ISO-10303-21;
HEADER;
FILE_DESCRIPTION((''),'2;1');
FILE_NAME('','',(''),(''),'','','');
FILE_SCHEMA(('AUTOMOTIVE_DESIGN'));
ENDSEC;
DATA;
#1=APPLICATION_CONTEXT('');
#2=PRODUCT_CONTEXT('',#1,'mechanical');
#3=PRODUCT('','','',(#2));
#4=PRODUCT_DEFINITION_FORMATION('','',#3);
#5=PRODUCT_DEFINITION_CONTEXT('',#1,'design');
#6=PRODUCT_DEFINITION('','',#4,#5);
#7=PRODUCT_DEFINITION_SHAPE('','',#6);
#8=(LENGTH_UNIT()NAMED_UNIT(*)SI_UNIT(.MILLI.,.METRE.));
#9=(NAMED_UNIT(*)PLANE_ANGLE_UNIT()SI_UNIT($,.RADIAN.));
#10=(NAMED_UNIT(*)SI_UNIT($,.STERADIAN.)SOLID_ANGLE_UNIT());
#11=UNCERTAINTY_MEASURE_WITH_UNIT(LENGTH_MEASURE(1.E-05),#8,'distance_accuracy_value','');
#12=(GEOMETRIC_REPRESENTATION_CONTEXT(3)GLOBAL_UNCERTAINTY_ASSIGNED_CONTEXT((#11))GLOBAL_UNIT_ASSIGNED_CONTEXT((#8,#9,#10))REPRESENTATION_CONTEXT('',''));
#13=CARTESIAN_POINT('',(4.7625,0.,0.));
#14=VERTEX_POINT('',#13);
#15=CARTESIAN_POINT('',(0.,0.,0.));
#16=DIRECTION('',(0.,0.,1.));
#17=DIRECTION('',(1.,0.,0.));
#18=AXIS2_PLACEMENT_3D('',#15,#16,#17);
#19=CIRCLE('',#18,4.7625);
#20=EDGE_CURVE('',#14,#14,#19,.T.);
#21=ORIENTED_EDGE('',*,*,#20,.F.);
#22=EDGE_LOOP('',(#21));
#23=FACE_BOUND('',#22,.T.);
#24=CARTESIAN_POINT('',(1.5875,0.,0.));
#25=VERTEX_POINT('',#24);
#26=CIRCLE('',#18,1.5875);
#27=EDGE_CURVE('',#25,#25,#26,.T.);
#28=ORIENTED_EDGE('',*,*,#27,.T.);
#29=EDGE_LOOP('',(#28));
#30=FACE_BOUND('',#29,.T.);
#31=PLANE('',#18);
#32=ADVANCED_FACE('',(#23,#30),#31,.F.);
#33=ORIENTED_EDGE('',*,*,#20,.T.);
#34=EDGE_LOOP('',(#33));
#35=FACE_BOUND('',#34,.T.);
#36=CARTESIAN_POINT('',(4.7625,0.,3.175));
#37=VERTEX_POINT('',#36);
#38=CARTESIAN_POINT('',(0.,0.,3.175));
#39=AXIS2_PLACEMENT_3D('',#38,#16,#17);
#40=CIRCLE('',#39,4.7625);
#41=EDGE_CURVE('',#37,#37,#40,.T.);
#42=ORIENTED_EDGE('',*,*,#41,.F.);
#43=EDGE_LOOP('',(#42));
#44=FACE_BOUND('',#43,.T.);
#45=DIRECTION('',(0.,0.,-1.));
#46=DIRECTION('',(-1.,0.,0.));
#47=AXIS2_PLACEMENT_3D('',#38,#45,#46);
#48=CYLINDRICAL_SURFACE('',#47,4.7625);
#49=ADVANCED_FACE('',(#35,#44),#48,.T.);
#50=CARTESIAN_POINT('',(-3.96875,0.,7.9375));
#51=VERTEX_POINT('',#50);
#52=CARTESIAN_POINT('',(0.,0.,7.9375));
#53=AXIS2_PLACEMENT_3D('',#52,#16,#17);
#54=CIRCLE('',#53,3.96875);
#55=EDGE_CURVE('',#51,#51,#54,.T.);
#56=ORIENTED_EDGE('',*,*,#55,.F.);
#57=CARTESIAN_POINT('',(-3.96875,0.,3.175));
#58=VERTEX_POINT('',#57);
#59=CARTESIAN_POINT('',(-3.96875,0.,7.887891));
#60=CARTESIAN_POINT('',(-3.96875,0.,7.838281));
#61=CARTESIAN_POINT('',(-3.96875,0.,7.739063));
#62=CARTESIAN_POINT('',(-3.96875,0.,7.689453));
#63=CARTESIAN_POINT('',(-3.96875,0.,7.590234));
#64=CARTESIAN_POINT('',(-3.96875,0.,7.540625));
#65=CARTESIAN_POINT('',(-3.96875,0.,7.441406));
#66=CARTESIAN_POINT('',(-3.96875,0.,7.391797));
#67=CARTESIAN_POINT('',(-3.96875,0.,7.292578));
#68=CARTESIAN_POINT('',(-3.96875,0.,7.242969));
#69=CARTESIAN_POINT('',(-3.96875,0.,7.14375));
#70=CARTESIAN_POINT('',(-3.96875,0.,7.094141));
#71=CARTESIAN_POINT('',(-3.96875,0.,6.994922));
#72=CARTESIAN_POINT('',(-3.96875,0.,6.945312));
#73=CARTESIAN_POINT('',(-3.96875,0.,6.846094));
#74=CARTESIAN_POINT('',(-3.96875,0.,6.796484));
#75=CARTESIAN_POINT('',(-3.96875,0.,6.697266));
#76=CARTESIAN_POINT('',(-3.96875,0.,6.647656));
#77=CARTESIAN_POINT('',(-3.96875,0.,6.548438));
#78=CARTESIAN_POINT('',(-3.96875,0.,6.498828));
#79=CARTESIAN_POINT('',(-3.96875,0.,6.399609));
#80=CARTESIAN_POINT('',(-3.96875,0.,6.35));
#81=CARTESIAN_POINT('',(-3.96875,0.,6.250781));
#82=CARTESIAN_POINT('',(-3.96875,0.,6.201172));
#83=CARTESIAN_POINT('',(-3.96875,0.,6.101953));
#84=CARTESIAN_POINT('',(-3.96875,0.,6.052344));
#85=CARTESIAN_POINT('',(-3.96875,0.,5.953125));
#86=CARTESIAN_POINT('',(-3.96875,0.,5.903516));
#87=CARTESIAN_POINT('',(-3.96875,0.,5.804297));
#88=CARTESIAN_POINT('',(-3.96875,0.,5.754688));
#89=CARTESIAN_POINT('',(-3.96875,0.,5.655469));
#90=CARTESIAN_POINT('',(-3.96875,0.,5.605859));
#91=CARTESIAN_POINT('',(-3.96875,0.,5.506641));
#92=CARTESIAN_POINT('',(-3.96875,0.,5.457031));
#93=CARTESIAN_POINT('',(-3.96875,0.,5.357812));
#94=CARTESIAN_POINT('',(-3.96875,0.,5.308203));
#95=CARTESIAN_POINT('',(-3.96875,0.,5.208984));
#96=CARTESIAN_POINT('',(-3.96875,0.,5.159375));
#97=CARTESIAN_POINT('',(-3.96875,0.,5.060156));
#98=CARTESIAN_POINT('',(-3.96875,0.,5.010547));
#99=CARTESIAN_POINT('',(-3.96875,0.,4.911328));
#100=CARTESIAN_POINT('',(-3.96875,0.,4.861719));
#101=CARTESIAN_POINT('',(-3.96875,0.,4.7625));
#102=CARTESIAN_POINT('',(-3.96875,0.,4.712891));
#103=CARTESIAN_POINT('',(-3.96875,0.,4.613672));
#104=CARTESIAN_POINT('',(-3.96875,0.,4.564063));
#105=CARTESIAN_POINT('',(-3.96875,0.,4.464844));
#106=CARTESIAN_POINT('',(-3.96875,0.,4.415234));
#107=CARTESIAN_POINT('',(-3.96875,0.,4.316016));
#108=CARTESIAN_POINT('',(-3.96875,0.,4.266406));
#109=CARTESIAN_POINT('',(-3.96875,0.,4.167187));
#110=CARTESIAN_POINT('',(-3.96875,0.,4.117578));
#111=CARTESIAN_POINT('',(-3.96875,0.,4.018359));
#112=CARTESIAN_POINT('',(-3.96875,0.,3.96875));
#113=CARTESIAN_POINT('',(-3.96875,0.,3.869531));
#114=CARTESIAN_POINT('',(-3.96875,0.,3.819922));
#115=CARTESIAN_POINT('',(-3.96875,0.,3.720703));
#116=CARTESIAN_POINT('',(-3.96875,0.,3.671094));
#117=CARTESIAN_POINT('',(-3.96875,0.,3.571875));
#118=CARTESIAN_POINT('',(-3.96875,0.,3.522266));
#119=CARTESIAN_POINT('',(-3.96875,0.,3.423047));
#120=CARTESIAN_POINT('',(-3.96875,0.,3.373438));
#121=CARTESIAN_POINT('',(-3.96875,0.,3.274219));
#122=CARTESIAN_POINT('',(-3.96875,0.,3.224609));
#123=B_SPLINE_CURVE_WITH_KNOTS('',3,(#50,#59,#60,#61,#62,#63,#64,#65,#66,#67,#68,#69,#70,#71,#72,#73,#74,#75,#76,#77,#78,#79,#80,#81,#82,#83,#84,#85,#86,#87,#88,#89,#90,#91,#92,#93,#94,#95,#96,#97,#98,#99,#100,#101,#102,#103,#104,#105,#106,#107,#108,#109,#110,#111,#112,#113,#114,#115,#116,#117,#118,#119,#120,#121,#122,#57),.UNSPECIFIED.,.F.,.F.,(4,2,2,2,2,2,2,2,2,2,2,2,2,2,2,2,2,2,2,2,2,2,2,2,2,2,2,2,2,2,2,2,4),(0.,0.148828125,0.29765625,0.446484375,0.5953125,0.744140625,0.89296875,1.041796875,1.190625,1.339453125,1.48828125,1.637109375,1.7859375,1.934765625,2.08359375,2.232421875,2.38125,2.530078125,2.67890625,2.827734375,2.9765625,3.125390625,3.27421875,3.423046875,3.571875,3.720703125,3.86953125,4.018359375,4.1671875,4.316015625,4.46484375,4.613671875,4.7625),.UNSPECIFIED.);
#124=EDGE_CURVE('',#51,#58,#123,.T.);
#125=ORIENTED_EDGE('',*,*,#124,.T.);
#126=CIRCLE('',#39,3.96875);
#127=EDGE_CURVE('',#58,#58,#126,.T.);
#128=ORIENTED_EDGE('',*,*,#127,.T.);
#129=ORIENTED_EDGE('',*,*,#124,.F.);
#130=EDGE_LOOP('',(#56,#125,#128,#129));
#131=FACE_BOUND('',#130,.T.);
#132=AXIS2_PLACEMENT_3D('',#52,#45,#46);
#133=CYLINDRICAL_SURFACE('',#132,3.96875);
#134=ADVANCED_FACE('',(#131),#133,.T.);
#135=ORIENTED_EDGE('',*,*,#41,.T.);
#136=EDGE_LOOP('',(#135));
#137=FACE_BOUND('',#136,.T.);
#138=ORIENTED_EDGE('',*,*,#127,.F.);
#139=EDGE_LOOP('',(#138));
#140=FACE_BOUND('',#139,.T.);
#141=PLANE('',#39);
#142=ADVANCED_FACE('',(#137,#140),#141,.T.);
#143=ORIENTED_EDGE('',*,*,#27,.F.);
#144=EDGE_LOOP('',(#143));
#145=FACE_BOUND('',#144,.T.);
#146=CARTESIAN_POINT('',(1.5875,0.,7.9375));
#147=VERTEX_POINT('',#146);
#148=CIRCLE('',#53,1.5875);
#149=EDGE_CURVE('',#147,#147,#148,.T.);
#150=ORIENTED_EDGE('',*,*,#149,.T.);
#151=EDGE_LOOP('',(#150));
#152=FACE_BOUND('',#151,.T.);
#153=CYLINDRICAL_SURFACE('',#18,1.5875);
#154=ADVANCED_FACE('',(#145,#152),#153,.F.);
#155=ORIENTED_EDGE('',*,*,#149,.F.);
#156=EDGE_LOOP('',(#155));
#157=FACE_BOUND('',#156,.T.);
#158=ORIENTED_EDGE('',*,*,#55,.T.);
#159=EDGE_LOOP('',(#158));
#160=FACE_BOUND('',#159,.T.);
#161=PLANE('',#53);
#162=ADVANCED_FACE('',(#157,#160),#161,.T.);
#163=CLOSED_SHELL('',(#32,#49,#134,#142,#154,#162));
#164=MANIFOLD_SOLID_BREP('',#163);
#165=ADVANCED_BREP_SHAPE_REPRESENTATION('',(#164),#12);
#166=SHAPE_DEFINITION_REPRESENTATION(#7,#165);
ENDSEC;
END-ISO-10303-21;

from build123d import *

# Parameters (mm, degrees)
SKETCH1_R           = 4.7625
BOSS_EXTRUDE1_DEPTH = 3.175
SKETCH2_R           = 3.96875
BOSS_EXTRUDE2_DEPTH = 4.7625
SKETCH3_R           = 1.5875
CUT_EXTRUDE1_DEPTH  = 11.409933657


with BuildPart() as part:
    # Sketch1 → Boss-Extrude1 (new body)
    with BuildSketch(Plane.XY):
        Circle(SKETCH1_R)
    extrude(amount=BOSS_EXTRUDE1_DEPTH)

    # Sketch2 → Boss-Extrude2 (add)
    with BuildSketch(Plane.XY.offset(3.175)):
        with Locations(Location((0, 0, 0), (0, 0, 180))):
            Circle(SKETCH2_R)
    extrude(amount=BOSS_EXTRUDE2_DEPTH)

    # Sketch3 → Cut-Extrude1 (cut, through all)
    with BuildSketch(Plane.XY.offset(7.9375)):
        Circle(SKETCH3_R)
    extrude(amount=-CUT_EXTRUDE1_DEPTH, mode=Mode.SUBTRACT)


solid = part.part
